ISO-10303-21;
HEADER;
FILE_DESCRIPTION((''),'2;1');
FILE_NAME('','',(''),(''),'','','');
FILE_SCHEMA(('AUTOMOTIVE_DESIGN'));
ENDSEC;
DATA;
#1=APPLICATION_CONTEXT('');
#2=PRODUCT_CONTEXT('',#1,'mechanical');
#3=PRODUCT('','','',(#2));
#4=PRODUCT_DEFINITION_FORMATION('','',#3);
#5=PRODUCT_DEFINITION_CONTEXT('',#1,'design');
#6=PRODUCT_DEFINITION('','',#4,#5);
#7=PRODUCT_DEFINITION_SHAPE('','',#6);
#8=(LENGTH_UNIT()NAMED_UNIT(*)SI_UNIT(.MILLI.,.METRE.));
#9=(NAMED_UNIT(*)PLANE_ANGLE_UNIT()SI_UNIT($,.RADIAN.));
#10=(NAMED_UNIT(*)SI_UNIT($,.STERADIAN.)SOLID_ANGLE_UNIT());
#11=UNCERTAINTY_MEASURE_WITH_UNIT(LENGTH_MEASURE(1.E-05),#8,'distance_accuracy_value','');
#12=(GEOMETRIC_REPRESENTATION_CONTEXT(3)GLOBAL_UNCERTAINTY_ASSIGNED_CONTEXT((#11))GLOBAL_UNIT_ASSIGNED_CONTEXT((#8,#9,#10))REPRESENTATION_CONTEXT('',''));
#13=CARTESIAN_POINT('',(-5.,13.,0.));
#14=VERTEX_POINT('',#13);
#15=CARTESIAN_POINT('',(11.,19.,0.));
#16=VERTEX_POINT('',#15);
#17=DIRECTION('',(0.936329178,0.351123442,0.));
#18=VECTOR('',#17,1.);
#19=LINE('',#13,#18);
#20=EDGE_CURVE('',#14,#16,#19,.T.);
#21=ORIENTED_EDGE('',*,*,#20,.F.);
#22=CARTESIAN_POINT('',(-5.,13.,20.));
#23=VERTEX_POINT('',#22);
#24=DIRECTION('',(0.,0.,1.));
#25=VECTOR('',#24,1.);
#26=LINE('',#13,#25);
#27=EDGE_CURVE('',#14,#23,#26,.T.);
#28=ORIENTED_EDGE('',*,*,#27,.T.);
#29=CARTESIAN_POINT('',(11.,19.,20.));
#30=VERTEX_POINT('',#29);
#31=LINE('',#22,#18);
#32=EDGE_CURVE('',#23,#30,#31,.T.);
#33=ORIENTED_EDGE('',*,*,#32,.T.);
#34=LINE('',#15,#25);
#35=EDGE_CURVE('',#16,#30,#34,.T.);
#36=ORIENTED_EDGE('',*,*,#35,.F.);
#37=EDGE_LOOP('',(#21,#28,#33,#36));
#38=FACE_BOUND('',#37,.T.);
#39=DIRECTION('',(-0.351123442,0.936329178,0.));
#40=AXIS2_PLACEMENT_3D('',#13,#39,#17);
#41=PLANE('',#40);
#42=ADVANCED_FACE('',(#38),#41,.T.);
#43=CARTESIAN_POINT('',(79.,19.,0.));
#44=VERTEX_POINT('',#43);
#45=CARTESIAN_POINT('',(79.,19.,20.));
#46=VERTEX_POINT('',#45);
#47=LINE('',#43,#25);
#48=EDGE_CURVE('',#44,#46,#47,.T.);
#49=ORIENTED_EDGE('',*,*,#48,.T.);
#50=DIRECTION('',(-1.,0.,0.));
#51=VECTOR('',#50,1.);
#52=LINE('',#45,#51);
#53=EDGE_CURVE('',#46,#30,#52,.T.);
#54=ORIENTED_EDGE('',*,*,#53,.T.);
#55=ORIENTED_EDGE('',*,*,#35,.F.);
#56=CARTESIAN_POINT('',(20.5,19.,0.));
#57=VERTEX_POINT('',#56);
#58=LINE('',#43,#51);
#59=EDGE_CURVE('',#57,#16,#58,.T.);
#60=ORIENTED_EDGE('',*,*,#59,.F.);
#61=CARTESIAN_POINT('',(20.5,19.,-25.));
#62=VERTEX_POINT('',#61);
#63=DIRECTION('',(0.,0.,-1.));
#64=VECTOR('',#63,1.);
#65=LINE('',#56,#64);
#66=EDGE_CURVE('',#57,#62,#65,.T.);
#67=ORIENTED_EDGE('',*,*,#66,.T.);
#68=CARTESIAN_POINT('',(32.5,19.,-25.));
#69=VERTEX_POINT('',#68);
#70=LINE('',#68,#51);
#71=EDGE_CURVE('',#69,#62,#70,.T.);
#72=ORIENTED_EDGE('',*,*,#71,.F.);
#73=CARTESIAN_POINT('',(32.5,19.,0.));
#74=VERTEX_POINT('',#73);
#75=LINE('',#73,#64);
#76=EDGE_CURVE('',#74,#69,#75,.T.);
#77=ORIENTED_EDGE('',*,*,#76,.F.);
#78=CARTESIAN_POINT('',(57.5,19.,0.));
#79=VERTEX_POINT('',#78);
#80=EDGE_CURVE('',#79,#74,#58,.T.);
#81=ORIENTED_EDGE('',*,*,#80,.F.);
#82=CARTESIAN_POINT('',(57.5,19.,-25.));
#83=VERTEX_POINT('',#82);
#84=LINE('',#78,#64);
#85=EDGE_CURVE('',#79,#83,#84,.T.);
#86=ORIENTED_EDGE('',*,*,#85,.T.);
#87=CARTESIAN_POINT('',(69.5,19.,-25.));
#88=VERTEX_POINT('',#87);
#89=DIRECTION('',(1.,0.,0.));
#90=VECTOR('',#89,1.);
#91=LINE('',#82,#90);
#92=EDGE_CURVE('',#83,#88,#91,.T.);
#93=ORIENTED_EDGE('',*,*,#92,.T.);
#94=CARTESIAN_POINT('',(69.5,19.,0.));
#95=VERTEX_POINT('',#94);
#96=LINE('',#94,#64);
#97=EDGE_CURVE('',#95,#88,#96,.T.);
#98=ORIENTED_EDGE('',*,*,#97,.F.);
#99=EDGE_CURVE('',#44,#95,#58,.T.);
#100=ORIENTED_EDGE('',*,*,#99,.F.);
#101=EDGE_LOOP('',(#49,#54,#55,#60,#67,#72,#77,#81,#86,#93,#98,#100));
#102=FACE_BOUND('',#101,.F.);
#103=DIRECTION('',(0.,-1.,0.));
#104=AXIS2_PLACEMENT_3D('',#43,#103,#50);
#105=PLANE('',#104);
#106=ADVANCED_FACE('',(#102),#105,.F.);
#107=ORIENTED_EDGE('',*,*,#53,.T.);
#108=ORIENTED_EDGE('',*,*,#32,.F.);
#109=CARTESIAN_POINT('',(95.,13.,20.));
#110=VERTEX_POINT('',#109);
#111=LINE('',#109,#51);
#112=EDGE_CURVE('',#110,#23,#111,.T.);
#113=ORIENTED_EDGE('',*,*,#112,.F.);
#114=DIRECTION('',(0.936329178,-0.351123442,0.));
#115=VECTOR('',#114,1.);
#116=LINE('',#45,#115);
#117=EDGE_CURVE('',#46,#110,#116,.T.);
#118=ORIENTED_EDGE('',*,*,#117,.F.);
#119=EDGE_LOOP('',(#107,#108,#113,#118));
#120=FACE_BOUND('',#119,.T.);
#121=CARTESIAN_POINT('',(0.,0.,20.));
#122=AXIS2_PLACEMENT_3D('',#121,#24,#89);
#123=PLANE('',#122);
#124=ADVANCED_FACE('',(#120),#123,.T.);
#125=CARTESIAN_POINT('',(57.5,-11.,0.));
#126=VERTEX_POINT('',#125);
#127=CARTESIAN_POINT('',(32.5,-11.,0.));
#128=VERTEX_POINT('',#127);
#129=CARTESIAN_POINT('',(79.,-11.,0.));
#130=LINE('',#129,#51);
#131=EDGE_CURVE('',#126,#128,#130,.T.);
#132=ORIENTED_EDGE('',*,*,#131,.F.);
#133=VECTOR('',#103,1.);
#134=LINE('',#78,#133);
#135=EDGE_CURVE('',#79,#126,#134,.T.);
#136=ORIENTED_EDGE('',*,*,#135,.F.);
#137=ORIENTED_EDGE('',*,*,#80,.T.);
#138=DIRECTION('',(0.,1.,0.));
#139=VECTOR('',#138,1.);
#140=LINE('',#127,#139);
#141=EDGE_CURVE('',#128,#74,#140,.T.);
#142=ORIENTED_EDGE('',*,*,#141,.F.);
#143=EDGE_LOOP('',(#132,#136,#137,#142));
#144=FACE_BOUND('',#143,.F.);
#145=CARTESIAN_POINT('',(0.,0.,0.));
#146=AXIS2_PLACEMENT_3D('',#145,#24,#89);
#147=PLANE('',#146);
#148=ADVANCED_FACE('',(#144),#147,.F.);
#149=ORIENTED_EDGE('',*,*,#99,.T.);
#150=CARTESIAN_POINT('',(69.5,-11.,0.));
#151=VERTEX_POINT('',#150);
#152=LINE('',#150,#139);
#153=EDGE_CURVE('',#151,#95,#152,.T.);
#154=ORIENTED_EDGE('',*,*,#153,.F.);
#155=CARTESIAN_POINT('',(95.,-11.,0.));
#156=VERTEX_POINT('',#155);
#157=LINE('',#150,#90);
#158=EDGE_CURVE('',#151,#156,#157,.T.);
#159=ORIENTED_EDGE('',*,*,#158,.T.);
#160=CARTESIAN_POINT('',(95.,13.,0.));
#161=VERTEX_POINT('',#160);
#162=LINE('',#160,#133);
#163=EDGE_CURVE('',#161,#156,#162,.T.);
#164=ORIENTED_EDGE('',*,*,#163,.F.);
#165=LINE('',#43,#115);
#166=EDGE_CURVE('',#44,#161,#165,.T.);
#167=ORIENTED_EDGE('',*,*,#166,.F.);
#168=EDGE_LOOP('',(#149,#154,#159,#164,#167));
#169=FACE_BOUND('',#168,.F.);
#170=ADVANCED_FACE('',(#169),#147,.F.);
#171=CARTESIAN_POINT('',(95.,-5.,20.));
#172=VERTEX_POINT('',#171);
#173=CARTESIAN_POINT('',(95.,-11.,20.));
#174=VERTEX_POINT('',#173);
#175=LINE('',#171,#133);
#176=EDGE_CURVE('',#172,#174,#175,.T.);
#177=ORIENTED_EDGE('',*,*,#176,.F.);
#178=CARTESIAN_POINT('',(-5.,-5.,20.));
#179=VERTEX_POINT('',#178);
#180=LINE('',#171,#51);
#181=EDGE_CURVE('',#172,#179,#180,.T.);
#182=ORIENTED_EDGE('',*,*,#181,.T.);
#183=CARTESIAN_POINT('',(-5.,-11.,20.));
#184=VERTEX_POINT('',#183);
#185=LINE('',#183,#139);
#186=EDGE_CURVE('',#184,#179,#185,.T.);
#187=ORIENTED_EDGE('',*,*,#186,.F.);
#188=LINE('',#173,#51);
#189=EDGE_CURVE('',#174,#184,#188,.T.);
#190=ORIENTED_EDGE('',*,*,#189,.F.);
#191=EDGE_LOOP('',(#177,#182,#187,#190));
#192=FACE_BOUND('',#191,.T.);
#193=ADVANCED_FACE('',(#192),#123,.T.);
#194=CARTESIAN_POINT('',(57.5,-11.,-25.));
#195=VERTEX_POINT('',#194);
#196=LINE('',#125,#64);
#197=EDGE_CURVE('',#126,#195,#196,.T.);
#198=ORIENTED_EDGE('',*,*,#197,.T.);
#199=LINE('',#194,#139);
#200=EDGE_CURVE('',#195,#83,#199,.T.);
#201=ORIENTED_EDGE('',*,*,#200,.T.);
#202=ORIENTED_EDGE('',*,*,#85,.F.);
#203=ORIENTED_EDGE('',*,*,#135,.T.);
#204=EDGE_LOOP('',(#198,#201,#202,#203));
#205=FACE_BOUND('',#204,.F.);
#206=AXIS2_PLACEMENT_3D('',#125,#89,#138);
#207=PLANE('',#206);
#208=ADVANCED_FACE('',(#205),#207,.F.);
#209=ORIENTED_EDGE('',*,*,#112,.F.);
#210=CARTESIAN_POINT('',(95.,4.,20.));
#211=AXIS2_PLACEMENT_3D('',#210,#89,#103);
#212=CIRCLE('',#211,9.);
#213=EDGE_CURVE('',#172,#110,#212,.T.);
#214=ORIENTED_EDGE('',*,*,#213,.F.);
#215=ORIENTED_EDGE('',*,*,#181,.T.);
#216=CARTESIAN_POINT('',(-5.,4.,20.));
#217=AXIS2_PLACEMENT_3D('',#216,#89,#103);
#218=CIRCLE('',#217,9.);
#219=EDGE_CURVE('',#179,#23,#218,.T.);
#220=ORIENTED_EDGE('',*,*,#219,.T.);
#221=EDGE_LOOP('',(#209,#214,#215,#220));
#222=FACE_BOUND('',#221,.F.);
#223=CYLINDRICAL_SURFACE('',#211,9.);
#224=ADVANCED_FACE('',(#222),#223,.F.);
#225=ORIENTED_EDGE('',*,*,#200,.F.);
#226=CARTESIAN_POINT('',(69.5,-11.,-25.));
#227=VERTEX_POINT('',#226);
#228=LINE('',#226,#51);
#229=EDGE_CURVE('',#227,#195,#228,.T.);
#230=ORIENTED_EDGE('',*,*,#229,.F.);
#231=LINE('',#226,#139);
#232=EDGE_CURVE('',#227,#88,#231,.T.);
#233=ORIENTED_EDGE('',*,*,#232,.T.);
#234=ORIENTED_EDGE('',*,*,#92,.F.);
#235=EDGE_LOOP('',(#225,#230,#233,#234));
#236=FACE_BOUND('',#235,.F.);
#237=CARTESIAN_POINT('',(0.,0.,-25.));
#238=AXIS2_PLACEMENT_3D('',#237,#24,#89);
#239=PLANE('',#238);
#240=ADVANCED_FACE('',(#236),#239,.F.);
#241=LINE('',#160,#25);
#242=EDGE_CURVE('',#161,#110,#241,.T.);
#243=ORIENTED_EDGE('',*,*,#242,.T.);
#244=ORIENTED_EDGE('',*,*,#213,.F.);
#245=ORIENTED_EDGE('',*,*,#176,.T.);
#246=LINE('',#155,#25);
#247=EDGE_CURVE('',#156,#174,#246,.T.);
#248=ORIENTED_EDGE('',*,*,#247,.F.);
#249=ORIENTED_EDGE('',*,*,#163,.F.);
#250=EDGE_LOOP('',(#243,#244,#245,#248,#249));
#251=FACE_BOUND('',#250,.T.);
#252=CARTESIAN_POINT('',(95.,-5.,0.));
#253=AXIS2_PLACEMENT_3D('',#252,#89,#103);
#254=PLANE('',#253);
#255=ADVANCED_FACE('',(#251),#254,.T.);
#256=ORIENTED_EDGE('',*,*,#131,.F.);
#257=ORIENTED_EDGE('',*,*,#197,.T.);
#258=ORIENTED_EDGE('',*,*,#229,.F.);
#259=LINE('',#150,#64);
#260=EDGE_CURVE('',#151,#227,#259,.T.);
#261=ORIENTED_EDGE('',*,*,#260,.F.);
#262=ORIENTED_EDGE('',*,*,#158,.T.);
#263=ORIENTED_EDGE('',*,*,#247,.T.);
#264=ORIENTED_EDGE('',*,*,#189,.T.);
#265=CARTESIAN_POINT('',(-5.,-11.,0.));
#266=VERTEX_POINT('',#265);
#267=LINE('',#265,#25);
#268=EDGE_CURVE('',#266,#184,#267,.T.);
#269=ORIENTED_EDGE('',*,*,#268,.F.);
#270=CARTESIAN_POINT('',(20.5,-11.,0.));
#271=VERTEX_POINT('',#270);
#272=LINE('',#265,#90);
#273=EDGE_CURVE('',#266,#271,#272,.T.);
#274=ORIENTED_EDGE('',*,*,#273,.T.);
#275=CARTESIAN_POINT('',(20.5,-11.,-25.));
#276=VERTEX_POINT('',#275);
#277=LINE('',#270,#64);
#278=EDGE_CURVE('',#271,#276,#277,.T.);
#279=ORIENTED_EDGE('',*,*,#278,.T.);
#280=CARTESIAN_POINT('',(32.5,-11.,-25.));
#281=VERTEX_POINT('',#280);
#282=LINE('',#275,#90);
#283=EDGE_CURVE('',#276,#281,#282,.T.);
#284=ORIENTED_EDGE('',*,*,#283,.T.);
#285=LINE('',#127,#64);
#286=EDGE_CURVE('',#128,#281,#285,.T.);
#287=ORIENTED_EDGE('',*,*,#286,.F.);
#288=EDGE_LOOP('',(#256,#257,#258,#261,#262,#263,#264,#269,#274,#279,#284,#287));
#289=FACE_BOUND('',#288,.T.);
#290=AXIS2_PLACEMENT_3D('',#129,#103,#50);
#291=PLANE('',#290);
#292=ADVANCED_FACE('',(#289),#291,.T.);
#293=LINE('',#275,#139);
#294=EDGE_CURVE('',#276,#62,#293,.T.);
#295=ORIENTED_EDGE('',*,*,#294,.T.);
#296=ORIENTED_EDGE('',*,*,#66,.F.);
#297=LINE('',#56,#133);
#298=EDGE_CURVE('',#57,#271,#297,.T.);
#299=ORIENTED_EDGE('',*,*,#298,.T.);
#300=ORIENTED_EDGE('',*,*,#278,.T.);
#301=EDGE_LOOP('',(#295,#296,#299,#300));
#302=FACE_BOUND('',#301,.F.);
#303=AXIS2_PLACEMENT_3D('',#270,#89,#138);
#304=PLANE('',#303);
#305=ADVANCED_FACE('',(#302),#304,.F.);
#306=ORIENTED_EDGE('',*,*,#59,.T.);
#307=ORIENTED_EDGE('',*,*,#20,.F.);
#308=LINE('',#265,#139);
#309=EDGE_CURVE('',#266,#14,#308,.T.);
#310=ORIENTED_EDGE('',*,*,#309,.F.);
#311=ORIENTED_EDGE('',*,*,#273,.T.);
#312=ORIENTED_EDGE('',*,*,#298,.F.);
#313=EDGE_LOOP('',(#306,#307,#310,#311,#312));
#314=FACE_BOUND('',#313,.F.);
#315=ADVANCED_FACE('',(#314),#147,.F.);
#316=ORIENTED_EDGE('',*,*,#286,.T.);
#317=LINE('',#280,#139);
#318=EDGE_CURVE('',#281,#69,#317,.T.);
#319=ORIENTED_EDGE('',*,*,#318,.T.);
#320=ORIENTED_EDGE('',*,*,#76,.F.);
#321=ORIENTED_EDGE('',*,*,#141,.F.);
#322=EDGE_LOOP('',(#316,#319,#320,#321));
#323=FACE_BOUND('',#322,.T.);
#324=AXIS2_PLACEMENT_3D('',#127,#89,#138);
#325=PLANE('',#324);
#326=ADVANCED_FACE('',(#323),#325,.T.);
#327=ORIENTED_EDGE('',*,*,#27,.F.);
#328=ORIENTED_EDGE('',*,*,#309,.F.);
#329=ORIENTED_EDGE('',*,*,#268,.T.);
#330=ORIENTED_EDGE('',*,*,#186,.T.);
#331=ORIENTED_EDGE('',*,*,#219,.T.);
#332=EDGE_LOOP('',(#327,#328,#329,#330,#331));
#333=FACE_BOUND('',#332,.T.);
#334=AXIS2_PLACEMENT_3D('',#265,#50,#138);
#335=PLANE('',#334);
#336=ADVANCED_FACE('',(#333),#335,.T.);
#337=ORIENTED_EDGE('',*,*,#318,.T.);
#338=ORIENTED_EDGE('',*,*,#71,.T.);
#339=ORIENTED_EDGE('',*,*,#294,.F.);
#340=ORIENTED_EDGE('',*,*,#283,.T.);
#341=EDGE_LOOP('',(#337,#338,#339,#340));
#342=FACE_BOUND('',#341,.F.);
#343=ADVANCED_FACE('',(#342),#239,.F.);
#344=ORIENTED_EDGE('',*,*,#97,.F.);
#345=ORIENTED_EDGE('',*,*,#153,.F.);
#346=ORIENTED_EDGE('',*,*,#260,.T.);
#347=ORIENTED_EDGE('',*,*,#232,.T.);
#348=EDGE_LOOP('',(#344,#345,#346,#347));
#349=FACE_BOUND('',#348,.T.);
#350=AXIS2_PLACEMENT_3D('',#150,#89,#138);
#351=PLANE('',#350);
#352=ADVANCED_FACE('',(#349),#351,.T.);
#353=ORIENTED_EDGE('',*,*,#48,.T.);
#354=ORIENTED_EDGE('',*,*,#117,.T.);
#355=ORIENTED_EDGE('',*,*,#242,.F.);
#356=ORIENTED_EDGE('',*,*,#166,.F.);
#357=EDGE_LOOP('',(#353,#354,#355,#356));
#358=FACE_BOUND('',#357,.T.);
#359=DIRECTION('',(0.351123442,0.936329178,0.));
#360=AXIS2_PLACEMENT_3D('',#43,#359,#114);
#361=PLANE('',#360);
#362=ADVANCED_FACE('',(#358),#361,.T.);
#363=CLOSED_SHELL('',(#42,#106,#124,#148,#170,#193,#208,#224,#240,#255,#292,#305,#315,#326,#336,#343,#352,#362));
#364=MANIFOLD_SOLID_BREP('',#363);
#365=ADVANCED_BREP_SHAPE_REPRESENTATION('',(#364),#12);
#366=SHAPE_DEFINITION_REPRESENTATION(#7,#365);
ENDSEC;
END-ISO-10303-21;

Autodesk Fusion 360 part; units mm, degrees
sketch "Sketch1" plane through (0, 0, 0) normal (0, 0, 1) x (1, 0, 0)
sketch "Sketch2" plane through (0, 0, 0) normal (0, 0, 1) x (1, 0, 0)
  line L0 (-5, -5) -> (95, -5)
  line L1 (95, -5) -> (95, 13)
  line L2 (95, 13) -> (-5, 13)
  line L3 (-5, 13) -> (-5, -5)
  line L4 (-5, 13) -> (11, 13)
  line L5 (95, 13) -> (79, 13)
  line L6 (11, 13) -> (79, 13)
  line L7 (79, 13) -> (79, 19)
  line L8 (79, 19) -> (11, 19)
  line L9 (11, 19) -> (11, 13)
  line L10 (11, -5) -> (79, -5)
  line L11 (79, -5) -> (79, -11)
  line L12 (79, -11) -> (11, -11)
  line L13 (11, -11) -> (11, -5)
  line L14 (11, -11) -> (-5, -5)
  line L15 (-5, 13) -> (11, 19)
  line L16 (79, 19) -> (95, 13)
  line L17 (95, -5) -> (79, -11)
  dimension "d1" = 100
  dimension "d2" = 18
  dimension "d3" = 16
  dimension "d4" = 16
  dimension "d5" = 68
  dimension "d6" = 6
  dimension "d7" = 68
  dimension "d8" = 6
extrude "Extrude1" add sketch "Sketch2" along normal blind 20
sketch "Sketch3" plane through (95, 0, 0) normal (1, 0, 0) x (0, 1, 0)
  line L0 (-5, 0) -> (13, 0)
  line L1 (13, 0) -> (13, 20)
  line L2 (13, 20) -> (-5, 20)
  line L3 (-5, 20) -> (-5, 0)
  line L4 (-5, 20) -> (4, 20)
  arc A0 (-5, 20) -> (13, 20) centre (4, 20) ccw
  dimension "d11" = 9
  dimension "d12" = 18
extrude "Extrude2" cut sketch "Sketch3" against normal blind 100 contours L2 L4 A0
sketch "Sketch4" plane through (0, 0, 0) normal (0, 0, 1) x (1, 0, 0)
  line L0 (79, -11) -> (69.5, -11)
  line L1 (69.5, -11) -> (69.5, 19)
  line L2 (69.5, 19) -> (79, 19)
  line L3 (79, 19) -> (79, -11)
  line L4 (11, -11) -> (20.5, -11)
  line L5 (20.5, -11) -> (20.5, 19)
  line L6 (20.5, 19) -> (11, 19)
  line L7 (11, 19) -> (11, -11)
  line L8 (20.5, -11) -> (32.5, -11)
  line L9 (32.5, -11) -> (32.5, 19)
  line L10 (32.5, 19) -> (20.5, 19)
  line L11 (20.5, 19) -> (20.5, -11)
  line L12 (69.5, -11) -> (57.5, -11)
  line L13 (57.5, -11) -> (57.5, 19)
  line L14 (57.5, 19) -> (69.5, 19)
  line L15 (69.5, 19) -> (69.5, -11)
  dimension "d15" = 9.5
  dimension "d16" = 30
  dimension "d17" = 9.5
  dimension "d18" = 30
  dimension "d19" = 12
  dimension "d20" = 30
  dimension "d21" = 12
  dimension "d22" = 30
extrude "Extrude3" add sketch "Sketch4" against normal blind 25 contours L1 L12 L13 L14 L15 | L5 L8 L9 L10 L11
sketch "Sketch5" plane through (13.3562, -35.6164, 0) normal (0.3511, -0.9363, 0) x (0.9363, 0.3511, 0)
  line L0 (70.1076, 0) -> (87.1957, 0)
  line L1 (87.1957, 0) -> (87.1957, 20)
  line L2 (87.1957, 20) -> (70.1076, 20)
  line L3 (70.1076, 20) -> (70.1076, 0)
sketch "Sketch6" plane through (0, 0, 0) normal (0, 0, 1) x (1, 0, 0)
  line L0 (-5, -5) -> (95, -5)
  line L1 (95, -5) -> (95, -11)
  line L2 (95, -11) -> (-5, -11)
  line L3 (-5, -11) -> (-5, -5)
extrude "Extrude4" add sketch "Sketch6" along normal blind 20
